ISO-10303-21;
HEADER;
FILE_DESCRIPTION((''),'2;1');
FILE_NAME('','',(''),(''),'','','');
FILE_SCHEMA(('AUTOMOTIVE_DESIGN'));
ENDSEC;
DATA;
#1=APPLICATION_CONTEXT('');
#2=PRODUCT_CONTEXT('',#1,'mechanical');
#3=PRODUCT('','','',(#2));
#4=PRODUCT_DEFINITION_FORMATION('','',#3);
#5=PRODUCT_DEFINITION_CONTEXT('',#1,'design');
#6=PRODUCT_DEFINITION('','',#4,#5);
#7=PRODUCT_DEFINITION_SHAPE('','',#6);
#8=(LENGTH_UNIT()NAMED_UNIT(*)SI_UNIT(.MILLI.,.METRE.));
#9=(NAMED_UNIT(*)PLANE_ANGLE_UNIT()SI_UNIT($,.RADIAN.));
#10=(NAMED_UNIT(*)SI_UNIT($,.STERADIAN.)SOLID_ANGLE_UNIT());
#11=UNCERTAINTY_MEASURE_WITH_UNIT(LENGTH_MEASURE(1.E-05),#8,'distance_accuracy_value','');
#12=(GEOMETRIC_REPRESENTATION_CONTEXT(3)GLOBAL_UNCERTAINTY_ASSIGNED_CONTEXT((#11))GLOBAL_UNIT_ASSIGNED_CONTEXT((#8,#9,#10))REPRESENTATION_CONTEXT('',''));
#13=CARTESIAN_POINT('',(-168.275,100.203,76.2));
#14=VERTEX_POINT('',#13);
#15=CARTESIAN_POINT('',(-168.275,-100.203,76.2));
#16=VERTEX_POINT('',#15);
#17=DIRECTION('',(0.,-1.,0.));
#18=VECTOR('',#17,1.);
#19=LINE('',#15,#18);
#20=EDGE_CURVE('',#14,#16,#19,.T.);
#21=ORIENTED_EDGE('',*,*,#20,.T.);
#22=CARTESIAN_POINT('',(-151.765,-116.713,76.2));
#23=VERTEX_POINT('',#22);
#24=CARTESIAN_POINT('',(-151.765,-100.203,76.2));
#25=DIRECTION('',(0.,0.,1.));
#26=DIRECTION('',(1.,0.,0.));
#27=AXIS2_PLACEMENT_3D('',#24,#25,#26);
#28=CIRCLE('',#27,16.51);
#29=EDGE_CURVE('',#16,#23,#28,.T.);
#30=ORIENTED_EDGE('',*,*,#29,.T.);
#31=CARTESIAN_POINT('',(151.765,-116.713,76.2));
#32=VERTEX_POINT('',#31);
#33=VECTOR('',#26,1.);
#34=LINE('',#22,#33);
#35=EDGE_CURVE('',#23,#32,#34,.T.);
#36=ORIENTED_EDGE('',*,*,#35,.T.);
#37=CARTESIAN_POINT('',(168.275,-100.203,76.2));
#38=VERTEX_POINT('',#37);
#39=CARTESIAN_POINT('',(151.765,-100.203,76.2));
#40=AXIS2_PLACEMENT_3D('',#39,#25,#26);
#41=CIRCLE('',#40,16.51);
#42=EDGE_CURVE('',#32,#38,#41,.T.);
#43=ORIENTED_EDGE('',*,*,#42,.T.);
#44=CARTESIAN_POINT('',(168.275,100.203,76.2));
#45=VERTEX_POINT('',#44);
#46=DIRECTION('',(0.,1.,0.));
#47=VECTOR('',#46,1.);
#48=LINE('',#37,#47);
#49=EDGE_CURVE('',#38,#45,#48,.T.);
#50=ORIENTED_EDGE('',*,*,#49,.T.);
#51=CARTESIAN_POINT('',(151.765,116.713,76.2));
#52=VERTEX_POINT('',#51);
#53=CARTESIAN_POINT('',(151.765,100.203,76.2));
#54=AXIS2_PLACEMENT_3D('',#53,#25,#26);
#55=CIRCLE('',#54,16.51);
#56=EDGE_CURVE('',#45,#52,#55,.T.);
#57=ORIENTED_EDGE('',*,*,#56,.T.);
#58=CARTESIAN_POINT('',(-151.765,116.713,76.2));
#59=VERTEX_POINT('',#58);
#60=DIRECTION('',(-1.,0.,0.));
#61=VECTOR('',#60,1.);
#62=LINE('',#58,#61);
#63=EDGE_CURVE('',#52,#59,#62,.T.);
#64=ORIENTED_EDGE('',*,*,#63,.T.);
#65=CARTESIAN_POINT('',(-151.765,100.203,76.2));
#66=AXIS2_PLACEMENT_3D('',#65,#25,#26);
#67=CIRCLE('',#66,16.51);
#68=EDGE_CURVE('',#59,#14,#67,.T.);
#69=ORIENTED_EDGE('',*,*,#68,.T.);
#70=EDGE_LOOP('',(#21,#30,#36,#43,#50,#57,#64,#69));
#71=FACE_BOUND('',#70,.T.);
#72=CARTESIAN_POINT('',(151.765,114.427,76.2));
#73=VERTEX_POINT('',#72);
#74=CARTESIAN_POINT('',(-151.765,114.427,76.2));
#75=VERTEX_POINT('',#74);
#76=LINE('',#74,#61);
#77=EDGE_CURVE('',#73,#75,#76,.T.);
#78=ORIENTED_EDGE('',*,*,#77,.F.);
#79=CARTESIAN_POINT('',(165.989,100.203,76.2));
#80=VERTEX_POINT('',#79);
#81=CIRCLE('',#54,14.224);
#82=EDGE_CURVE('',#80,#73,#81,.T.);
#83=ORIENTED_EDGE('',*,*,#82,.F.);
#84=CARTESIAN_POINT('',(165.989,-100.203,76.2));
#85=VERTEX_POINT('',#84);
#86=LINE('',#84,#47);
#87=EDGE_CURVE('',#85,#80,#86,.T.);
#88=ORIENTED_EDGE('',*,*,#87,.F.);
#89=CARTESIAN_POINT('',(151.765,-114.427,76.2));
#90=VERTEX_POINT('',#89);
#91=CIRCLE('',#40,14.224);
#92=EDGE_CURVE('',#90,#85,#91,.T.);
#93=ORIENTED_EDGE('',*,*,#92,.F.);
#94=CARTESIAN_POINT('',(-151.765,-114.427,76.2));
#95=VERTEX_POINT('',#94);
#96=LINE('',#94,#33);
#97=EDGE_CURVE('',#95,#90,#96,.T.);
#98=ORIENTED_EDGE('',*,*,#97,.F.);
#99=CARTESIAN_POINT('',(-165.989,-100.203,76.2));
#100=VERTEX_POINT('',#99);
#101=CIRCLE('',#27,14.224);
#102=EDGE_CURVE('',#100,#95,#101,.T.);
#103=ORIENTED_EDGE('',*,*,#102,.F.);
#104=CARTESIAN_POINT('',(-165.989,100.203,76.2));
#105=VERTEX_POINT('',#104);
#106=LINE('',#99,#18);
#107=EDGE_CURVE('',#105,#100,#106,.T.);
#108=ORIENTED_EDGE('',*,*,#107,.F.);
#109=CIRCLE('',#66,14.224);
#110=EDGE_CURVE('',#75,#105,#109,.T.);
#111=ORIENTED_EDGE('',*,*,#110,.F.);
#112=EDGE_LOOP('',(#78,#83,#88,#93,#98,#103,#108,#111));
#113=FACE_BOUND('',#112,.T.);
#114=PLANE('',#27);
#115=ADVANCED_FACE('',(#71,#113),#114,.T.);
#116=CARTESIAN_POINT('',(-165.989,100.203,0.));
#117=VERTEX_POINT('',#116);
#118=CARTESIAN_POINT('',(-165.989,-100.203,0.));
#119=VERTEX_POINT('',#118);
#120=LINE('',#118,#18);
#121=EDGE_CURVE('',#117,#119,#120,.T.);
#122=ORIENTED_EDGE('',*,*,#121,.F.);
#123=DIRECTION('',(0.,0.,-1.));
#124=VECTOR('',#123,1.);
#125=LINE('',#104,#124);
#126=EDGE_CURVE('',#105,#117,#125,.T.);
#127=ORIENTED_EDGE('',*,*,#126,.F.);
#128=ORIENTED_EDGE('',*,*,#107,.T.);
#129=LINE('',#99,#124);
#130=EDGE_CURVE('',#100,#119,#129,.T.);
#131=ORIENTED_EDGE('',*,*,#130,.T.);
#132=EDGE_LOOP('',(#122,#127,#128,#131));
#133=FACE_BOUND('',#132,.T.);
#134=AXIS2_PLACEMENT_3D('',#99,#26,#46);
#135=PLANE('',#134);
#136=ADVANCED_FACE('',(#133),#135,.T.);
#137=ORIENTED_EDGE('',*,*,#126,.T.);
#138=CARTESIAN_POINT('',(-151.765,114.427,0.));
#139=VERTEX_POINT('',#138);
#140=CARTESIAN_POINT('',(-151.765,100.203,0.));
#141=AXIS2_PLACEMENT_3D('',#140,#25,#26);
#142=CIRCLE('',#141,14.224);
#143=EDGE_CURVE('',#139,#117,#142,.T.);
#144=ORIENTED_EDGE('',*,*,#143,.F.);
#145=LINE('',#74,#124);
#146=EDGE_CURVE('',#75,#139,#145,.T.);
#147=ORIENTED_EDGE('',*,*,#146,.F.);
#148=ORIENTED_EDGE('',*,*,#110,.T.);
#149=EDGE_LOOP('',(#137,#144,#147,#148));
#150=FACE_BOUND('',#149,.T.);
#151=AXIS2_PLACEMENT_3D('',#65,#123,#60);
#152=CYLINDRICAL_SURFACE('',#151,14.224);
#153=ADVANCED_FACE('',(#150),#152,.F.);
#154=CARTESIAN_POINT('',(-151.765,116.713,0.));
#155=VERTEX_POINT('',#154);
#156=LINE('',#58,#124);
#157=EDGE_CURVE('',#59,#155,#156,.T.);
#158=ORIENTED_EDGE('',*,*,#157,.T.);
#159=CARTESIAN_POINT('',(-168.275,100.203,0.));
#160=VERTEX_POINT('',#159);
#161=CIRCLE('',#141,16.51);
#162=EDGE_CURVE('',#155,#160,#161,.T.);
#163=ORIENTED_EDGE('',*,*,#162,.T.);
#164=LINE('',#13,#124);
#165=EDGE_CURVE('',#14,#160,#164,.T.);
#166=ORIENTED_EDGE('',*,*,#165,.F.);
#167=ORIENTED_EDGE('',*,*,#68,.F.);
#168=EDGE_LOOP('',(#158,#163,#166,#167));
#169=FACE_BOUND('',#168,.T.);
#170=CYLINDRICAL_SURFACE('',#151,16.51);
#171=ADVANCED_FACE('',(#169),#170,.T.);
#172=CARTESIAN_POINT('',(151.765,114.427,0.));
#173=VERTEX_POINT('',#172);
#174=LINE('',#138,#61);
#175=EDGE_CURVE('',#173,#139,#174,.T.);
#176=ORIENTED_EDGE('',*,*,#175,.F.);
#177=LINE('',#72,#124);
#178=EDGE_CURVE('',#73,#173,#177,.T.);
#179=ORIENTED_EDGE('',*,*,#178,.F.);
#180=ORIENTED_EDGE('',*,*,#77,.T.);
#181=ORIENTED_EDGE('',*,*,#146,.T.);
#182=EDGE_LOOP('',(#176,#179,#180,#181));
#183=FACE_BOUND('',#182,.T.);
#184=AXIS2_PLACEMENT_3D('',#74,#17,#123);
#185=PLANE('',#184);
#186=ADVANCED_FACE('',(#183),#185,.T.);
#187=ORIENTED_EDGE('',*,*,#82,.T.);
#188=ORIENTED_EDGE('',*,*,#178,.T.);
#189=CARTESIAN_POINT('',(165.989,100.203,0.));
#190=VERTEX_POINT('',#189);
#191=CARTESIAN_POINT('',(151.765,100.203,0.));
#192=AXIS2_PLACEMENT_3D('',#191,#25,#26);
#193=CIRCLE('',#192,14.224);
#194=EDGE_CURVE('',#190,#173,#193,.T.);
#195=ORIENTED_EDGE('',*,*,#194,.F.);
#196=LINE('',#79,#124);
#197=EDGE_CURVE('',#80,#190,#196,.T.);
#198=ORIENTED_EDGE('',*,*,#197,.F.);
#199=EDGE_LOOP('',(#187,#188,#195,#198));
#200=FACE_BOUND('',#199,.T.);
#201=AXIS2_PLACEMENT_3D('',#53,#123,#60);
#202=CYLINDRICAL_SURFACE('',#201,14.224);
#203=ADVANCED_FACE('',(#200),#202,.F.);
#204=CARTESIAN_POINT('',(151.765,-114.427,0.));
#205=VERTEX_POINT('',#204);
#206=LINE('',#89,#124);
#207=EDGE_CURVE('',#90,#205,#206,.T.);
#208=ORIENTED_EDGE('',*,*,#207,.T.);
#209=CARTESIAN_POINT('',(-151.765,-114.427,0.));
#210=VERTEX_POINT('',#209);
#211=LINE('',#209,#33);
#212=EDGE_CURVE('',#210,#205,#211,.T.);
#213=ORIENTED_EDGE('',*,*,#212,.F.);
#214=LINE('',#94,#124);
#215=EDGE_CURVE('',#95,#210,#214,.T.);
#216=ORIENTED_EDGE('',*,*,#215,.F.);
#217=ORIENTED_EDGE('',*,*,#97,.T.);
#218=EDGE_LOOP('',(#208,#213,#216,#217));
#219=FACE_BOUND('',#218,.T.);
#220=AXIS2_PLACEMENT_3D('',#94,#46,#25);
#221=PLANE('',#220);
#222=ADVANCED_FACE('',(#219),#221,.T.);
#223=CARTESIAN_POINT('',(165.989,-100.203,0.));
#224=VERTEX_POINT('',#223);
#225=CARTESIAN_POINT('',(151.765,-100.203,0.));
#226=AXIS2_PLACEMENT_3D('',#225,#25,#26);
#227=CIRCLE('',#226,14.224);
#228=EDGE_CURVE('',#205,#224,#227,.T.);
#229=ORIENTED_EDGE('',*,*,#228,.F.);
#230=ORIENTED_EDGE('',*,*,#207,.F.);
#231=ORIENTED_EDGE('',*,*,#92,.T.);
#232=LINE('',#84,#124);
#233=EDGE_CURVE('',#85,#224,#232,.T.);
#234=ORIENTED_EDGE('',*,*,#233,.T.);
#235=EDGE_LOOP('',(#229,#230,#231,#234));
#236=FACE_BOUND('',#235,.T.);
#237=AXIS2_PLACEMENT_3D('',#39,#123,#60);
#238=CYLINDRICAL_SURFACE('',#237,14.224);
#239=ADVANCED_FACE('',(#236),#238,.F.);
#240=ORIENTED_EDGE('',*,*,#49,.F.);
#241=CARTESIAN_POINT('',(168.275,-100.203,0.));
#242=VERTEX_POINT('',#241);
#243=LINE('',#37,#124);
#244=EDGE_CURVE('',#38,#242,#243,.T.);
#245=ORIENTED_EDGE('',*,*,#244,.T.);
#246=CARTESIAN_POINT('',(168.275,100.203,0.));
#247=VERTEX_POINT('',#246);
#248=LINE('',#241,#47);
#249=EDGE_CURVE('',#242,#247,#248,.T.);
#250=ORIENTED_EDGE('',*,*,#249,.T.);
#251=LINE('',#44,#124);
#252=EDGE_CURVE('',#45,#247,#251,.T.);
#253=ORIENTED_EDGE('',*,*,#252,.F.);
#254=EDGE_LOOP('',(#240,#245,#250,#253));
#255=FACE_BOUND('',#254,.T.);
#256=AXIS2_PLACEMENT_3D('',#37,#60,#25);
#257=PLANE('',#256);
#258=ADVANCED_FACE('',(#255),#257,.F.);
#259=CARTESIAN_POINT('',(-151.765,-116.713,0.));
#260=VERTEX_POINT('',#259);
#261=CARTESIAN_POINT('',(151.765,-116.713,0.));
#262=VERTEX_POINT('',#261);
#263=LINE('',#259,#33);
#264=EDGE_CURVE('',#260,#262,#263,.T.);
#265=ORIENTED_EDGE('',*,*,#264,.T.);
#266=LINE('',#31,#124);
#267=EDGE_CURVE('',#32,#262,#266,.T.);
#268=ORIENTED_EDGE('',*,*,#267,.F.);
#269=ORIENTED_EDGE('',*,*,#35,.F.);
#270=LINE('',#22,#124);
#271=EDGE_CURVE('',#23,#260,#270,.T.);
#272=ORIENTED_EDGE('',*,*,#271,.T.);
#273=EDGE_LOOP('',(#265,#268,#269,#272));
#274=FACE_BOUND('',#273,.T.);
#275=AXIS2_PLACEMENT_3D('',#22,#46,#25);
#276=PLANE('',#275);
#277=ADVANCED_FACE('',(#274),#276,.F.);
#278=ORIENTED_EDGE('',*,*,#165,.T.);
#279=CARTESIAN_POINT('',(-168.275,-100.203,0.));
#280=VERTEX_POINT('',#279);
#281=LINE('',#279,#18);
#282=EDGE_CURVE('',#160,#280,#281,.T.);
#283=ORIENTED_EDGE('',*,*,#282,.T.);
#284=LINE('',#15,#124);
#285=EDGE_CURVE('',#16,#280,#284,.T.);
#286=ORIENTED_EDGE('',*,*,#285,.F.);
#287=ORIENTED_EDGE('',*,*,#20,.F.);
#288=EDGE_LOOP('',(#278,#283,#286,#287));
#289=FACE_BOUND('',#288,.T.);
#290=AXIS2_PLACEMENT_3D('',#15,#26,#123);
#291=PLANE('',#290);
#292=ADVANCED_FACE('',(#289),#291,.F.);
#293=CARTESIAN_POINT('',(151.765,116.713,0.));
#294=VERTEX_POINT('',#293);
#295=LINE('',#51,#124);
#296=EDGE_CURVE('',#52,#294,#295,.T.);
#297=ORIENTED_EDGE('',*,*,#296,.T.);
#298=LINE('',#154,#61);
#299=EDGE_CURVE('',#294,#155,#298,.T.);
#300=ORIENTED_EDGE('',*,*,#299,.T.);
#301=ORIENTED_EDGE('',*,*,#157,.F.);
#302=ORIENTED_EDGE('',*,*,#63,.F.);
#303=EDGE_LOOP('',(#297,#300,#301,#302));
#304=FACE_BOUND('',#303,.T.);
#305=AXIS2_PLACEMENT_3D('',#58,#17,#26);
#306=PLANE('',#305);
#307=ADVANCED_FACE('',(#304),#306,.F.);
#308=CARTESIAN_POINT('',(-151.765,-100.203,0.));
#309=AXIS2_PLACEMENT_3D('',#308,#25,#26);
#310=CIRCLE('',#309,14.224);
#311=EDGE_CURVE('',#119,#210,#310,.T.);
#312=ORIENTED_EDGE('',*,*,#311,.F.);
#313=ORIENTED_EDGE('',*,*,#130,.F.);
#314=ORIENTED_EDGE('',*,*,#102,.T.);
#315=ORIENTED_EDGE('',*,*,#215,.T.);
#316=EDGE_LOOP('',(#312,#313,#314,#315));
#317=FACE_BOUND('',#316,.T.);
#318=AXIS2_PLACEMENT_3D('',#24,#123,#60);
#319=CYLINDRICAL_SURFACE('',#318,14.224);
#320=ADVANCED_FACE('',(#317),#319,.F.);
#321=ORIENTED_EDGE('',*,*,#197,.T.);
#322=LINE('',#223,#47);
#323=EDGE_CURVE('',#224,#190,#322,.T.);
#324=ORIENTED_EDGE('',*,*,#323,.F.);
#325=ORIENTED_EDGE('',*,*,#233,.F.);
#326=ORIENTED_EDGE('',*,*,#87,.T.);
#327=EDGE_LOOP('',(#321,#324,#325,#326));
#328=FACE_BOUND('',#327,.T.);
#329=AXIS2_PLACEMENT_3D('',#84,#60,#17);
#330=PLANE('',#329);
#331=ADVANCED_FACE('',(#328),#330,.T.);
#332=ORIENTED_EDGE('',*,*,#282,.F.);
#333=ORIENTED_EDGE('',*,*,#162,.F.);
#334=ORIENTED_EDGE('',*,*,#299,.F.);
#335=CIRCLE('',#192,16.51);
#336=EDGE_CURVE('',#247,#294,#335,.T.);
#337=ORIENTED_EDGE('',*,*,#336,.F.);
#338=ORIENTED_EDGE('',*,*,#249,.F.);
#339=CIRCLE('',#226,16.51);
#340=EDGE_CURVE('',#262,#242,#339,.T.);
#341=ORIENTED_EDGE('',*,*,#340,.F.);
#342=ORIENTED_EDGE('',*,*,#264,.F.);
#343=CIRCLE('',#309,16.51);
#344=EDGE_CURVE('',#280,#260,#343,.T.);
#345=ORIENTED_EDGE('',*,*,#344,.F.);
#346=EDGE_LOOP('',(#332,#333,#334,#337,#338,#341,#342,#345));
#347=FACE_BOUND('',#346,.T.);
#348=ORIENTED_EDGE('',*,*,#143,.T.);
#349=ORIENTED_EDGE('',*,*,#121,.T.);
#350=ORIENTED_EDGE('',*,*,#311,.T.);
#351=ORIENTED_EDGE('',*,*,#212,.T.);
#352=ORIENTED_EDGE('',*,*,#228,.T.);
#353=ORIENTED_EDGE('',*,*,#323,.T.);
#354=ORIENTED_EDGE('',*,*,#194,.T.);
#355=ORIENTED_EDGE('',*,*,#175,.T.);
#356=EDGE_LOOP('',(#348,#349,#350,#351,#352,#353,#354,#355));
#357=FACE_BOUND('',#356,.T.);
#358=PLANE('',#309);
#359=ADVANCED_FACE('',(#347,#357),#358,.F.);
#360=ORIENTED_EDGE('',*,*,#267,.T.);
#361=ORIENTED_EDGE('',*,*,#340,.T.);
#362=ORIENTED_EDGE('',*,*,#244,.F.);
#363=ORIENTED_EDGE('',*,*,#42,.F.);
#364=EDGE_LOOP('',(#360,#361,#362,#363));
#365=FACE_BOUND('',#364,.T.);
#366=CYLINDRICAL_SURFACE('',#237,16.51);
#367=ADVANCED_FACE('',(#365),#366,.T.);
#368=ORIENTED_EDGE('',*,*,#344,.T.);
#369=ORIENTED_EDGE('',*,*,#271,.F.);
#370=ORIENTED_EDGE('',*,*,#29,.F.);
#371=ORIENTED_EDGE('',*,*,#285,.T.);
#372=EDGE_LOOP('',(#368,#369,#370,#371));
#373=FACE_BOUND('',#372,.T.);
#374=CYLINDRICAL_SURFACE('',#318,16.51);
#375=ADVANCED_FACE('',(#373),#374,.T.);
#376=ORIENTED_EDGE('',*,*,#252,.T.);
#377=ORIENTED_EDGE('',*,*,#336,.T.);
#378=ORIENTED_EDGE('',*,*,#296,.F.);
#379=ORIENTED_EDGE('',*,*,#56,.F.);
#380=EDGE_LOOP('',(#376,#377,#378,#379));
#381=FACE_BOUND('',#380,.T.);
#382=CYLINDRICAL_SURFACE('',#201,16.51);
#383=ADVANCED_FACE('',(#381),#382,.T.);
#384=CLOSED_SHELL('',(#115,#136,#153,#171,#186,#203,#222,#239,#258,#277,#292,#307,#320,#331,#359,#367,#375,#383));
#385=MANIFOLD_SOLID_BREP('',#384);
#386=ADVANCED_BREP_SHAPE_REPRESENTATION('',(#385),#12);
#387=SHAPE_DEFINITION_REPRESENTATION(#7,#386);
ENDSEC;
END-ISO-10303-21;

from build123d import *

# Parameters (mm, degrees)
BOSS_EXTRUDE4_DEPTH = 76.2


with BuildPart() as part:
    # Sketch1 → Boss-Extrude4 (new body)
    with BuildSketch(Plane.XY):
        with BuildLine():
            Line((-151.765, -116.713), (151.765, -116.713))
            ThreePointArc((151.765, -116.713), (163.439332957, -111.877332957), (168.275, -100.203))
            Line((168.275, -100.203), (168.275, 100.203))
            ThreePointArc((168.275, 100.203), (163.439332957, 111.877332957), (151.765, 116.713))
            Line((151.765, 116.713), (-151.765, 116.713))
            ThreePointArc((-151.765, 116.713), (-163.439332957, 111.877332957), (-168.275, 100.203))
            Line((-168.275, 100.203), (-168.275, -100.203))
            ThreePointArc((-168.275, -100.203), (-163.439332957, -111.877332957), (-151.765, -116.713))
        make_face()
        with BuildLine():
            Line((-151.765, -114.427), (151.765, -114.427))
            ThreePointArc((151.765, -114.427), (161.822886856, -110.260886856), (165.989, -100.203))
            Line((165.989, -100.203), (165.989, 100.203))
            ThreePointArc((165.989, 100.203), (161.822886856, 110.260886856), (151.765, 114.427))
            Line((151.765, 114.427), (-151.765, 114.427))
            ThreePointArc((-151.765, 114.427), (-161.822886856, 110.260886856), (-165.989, 100.203))
            Line((-165.989, 100.203), (-165.989, -100.203))
            ThreePointArc((-165.989, -100.203), (-161.822886856, -110.260886856), (-151.765, -114.427))
        make_face(mode=Mode.SUBTRACT)
    extrude(amount=BOSS_EXTRUDE4_DEPTH)


solid = part.part
